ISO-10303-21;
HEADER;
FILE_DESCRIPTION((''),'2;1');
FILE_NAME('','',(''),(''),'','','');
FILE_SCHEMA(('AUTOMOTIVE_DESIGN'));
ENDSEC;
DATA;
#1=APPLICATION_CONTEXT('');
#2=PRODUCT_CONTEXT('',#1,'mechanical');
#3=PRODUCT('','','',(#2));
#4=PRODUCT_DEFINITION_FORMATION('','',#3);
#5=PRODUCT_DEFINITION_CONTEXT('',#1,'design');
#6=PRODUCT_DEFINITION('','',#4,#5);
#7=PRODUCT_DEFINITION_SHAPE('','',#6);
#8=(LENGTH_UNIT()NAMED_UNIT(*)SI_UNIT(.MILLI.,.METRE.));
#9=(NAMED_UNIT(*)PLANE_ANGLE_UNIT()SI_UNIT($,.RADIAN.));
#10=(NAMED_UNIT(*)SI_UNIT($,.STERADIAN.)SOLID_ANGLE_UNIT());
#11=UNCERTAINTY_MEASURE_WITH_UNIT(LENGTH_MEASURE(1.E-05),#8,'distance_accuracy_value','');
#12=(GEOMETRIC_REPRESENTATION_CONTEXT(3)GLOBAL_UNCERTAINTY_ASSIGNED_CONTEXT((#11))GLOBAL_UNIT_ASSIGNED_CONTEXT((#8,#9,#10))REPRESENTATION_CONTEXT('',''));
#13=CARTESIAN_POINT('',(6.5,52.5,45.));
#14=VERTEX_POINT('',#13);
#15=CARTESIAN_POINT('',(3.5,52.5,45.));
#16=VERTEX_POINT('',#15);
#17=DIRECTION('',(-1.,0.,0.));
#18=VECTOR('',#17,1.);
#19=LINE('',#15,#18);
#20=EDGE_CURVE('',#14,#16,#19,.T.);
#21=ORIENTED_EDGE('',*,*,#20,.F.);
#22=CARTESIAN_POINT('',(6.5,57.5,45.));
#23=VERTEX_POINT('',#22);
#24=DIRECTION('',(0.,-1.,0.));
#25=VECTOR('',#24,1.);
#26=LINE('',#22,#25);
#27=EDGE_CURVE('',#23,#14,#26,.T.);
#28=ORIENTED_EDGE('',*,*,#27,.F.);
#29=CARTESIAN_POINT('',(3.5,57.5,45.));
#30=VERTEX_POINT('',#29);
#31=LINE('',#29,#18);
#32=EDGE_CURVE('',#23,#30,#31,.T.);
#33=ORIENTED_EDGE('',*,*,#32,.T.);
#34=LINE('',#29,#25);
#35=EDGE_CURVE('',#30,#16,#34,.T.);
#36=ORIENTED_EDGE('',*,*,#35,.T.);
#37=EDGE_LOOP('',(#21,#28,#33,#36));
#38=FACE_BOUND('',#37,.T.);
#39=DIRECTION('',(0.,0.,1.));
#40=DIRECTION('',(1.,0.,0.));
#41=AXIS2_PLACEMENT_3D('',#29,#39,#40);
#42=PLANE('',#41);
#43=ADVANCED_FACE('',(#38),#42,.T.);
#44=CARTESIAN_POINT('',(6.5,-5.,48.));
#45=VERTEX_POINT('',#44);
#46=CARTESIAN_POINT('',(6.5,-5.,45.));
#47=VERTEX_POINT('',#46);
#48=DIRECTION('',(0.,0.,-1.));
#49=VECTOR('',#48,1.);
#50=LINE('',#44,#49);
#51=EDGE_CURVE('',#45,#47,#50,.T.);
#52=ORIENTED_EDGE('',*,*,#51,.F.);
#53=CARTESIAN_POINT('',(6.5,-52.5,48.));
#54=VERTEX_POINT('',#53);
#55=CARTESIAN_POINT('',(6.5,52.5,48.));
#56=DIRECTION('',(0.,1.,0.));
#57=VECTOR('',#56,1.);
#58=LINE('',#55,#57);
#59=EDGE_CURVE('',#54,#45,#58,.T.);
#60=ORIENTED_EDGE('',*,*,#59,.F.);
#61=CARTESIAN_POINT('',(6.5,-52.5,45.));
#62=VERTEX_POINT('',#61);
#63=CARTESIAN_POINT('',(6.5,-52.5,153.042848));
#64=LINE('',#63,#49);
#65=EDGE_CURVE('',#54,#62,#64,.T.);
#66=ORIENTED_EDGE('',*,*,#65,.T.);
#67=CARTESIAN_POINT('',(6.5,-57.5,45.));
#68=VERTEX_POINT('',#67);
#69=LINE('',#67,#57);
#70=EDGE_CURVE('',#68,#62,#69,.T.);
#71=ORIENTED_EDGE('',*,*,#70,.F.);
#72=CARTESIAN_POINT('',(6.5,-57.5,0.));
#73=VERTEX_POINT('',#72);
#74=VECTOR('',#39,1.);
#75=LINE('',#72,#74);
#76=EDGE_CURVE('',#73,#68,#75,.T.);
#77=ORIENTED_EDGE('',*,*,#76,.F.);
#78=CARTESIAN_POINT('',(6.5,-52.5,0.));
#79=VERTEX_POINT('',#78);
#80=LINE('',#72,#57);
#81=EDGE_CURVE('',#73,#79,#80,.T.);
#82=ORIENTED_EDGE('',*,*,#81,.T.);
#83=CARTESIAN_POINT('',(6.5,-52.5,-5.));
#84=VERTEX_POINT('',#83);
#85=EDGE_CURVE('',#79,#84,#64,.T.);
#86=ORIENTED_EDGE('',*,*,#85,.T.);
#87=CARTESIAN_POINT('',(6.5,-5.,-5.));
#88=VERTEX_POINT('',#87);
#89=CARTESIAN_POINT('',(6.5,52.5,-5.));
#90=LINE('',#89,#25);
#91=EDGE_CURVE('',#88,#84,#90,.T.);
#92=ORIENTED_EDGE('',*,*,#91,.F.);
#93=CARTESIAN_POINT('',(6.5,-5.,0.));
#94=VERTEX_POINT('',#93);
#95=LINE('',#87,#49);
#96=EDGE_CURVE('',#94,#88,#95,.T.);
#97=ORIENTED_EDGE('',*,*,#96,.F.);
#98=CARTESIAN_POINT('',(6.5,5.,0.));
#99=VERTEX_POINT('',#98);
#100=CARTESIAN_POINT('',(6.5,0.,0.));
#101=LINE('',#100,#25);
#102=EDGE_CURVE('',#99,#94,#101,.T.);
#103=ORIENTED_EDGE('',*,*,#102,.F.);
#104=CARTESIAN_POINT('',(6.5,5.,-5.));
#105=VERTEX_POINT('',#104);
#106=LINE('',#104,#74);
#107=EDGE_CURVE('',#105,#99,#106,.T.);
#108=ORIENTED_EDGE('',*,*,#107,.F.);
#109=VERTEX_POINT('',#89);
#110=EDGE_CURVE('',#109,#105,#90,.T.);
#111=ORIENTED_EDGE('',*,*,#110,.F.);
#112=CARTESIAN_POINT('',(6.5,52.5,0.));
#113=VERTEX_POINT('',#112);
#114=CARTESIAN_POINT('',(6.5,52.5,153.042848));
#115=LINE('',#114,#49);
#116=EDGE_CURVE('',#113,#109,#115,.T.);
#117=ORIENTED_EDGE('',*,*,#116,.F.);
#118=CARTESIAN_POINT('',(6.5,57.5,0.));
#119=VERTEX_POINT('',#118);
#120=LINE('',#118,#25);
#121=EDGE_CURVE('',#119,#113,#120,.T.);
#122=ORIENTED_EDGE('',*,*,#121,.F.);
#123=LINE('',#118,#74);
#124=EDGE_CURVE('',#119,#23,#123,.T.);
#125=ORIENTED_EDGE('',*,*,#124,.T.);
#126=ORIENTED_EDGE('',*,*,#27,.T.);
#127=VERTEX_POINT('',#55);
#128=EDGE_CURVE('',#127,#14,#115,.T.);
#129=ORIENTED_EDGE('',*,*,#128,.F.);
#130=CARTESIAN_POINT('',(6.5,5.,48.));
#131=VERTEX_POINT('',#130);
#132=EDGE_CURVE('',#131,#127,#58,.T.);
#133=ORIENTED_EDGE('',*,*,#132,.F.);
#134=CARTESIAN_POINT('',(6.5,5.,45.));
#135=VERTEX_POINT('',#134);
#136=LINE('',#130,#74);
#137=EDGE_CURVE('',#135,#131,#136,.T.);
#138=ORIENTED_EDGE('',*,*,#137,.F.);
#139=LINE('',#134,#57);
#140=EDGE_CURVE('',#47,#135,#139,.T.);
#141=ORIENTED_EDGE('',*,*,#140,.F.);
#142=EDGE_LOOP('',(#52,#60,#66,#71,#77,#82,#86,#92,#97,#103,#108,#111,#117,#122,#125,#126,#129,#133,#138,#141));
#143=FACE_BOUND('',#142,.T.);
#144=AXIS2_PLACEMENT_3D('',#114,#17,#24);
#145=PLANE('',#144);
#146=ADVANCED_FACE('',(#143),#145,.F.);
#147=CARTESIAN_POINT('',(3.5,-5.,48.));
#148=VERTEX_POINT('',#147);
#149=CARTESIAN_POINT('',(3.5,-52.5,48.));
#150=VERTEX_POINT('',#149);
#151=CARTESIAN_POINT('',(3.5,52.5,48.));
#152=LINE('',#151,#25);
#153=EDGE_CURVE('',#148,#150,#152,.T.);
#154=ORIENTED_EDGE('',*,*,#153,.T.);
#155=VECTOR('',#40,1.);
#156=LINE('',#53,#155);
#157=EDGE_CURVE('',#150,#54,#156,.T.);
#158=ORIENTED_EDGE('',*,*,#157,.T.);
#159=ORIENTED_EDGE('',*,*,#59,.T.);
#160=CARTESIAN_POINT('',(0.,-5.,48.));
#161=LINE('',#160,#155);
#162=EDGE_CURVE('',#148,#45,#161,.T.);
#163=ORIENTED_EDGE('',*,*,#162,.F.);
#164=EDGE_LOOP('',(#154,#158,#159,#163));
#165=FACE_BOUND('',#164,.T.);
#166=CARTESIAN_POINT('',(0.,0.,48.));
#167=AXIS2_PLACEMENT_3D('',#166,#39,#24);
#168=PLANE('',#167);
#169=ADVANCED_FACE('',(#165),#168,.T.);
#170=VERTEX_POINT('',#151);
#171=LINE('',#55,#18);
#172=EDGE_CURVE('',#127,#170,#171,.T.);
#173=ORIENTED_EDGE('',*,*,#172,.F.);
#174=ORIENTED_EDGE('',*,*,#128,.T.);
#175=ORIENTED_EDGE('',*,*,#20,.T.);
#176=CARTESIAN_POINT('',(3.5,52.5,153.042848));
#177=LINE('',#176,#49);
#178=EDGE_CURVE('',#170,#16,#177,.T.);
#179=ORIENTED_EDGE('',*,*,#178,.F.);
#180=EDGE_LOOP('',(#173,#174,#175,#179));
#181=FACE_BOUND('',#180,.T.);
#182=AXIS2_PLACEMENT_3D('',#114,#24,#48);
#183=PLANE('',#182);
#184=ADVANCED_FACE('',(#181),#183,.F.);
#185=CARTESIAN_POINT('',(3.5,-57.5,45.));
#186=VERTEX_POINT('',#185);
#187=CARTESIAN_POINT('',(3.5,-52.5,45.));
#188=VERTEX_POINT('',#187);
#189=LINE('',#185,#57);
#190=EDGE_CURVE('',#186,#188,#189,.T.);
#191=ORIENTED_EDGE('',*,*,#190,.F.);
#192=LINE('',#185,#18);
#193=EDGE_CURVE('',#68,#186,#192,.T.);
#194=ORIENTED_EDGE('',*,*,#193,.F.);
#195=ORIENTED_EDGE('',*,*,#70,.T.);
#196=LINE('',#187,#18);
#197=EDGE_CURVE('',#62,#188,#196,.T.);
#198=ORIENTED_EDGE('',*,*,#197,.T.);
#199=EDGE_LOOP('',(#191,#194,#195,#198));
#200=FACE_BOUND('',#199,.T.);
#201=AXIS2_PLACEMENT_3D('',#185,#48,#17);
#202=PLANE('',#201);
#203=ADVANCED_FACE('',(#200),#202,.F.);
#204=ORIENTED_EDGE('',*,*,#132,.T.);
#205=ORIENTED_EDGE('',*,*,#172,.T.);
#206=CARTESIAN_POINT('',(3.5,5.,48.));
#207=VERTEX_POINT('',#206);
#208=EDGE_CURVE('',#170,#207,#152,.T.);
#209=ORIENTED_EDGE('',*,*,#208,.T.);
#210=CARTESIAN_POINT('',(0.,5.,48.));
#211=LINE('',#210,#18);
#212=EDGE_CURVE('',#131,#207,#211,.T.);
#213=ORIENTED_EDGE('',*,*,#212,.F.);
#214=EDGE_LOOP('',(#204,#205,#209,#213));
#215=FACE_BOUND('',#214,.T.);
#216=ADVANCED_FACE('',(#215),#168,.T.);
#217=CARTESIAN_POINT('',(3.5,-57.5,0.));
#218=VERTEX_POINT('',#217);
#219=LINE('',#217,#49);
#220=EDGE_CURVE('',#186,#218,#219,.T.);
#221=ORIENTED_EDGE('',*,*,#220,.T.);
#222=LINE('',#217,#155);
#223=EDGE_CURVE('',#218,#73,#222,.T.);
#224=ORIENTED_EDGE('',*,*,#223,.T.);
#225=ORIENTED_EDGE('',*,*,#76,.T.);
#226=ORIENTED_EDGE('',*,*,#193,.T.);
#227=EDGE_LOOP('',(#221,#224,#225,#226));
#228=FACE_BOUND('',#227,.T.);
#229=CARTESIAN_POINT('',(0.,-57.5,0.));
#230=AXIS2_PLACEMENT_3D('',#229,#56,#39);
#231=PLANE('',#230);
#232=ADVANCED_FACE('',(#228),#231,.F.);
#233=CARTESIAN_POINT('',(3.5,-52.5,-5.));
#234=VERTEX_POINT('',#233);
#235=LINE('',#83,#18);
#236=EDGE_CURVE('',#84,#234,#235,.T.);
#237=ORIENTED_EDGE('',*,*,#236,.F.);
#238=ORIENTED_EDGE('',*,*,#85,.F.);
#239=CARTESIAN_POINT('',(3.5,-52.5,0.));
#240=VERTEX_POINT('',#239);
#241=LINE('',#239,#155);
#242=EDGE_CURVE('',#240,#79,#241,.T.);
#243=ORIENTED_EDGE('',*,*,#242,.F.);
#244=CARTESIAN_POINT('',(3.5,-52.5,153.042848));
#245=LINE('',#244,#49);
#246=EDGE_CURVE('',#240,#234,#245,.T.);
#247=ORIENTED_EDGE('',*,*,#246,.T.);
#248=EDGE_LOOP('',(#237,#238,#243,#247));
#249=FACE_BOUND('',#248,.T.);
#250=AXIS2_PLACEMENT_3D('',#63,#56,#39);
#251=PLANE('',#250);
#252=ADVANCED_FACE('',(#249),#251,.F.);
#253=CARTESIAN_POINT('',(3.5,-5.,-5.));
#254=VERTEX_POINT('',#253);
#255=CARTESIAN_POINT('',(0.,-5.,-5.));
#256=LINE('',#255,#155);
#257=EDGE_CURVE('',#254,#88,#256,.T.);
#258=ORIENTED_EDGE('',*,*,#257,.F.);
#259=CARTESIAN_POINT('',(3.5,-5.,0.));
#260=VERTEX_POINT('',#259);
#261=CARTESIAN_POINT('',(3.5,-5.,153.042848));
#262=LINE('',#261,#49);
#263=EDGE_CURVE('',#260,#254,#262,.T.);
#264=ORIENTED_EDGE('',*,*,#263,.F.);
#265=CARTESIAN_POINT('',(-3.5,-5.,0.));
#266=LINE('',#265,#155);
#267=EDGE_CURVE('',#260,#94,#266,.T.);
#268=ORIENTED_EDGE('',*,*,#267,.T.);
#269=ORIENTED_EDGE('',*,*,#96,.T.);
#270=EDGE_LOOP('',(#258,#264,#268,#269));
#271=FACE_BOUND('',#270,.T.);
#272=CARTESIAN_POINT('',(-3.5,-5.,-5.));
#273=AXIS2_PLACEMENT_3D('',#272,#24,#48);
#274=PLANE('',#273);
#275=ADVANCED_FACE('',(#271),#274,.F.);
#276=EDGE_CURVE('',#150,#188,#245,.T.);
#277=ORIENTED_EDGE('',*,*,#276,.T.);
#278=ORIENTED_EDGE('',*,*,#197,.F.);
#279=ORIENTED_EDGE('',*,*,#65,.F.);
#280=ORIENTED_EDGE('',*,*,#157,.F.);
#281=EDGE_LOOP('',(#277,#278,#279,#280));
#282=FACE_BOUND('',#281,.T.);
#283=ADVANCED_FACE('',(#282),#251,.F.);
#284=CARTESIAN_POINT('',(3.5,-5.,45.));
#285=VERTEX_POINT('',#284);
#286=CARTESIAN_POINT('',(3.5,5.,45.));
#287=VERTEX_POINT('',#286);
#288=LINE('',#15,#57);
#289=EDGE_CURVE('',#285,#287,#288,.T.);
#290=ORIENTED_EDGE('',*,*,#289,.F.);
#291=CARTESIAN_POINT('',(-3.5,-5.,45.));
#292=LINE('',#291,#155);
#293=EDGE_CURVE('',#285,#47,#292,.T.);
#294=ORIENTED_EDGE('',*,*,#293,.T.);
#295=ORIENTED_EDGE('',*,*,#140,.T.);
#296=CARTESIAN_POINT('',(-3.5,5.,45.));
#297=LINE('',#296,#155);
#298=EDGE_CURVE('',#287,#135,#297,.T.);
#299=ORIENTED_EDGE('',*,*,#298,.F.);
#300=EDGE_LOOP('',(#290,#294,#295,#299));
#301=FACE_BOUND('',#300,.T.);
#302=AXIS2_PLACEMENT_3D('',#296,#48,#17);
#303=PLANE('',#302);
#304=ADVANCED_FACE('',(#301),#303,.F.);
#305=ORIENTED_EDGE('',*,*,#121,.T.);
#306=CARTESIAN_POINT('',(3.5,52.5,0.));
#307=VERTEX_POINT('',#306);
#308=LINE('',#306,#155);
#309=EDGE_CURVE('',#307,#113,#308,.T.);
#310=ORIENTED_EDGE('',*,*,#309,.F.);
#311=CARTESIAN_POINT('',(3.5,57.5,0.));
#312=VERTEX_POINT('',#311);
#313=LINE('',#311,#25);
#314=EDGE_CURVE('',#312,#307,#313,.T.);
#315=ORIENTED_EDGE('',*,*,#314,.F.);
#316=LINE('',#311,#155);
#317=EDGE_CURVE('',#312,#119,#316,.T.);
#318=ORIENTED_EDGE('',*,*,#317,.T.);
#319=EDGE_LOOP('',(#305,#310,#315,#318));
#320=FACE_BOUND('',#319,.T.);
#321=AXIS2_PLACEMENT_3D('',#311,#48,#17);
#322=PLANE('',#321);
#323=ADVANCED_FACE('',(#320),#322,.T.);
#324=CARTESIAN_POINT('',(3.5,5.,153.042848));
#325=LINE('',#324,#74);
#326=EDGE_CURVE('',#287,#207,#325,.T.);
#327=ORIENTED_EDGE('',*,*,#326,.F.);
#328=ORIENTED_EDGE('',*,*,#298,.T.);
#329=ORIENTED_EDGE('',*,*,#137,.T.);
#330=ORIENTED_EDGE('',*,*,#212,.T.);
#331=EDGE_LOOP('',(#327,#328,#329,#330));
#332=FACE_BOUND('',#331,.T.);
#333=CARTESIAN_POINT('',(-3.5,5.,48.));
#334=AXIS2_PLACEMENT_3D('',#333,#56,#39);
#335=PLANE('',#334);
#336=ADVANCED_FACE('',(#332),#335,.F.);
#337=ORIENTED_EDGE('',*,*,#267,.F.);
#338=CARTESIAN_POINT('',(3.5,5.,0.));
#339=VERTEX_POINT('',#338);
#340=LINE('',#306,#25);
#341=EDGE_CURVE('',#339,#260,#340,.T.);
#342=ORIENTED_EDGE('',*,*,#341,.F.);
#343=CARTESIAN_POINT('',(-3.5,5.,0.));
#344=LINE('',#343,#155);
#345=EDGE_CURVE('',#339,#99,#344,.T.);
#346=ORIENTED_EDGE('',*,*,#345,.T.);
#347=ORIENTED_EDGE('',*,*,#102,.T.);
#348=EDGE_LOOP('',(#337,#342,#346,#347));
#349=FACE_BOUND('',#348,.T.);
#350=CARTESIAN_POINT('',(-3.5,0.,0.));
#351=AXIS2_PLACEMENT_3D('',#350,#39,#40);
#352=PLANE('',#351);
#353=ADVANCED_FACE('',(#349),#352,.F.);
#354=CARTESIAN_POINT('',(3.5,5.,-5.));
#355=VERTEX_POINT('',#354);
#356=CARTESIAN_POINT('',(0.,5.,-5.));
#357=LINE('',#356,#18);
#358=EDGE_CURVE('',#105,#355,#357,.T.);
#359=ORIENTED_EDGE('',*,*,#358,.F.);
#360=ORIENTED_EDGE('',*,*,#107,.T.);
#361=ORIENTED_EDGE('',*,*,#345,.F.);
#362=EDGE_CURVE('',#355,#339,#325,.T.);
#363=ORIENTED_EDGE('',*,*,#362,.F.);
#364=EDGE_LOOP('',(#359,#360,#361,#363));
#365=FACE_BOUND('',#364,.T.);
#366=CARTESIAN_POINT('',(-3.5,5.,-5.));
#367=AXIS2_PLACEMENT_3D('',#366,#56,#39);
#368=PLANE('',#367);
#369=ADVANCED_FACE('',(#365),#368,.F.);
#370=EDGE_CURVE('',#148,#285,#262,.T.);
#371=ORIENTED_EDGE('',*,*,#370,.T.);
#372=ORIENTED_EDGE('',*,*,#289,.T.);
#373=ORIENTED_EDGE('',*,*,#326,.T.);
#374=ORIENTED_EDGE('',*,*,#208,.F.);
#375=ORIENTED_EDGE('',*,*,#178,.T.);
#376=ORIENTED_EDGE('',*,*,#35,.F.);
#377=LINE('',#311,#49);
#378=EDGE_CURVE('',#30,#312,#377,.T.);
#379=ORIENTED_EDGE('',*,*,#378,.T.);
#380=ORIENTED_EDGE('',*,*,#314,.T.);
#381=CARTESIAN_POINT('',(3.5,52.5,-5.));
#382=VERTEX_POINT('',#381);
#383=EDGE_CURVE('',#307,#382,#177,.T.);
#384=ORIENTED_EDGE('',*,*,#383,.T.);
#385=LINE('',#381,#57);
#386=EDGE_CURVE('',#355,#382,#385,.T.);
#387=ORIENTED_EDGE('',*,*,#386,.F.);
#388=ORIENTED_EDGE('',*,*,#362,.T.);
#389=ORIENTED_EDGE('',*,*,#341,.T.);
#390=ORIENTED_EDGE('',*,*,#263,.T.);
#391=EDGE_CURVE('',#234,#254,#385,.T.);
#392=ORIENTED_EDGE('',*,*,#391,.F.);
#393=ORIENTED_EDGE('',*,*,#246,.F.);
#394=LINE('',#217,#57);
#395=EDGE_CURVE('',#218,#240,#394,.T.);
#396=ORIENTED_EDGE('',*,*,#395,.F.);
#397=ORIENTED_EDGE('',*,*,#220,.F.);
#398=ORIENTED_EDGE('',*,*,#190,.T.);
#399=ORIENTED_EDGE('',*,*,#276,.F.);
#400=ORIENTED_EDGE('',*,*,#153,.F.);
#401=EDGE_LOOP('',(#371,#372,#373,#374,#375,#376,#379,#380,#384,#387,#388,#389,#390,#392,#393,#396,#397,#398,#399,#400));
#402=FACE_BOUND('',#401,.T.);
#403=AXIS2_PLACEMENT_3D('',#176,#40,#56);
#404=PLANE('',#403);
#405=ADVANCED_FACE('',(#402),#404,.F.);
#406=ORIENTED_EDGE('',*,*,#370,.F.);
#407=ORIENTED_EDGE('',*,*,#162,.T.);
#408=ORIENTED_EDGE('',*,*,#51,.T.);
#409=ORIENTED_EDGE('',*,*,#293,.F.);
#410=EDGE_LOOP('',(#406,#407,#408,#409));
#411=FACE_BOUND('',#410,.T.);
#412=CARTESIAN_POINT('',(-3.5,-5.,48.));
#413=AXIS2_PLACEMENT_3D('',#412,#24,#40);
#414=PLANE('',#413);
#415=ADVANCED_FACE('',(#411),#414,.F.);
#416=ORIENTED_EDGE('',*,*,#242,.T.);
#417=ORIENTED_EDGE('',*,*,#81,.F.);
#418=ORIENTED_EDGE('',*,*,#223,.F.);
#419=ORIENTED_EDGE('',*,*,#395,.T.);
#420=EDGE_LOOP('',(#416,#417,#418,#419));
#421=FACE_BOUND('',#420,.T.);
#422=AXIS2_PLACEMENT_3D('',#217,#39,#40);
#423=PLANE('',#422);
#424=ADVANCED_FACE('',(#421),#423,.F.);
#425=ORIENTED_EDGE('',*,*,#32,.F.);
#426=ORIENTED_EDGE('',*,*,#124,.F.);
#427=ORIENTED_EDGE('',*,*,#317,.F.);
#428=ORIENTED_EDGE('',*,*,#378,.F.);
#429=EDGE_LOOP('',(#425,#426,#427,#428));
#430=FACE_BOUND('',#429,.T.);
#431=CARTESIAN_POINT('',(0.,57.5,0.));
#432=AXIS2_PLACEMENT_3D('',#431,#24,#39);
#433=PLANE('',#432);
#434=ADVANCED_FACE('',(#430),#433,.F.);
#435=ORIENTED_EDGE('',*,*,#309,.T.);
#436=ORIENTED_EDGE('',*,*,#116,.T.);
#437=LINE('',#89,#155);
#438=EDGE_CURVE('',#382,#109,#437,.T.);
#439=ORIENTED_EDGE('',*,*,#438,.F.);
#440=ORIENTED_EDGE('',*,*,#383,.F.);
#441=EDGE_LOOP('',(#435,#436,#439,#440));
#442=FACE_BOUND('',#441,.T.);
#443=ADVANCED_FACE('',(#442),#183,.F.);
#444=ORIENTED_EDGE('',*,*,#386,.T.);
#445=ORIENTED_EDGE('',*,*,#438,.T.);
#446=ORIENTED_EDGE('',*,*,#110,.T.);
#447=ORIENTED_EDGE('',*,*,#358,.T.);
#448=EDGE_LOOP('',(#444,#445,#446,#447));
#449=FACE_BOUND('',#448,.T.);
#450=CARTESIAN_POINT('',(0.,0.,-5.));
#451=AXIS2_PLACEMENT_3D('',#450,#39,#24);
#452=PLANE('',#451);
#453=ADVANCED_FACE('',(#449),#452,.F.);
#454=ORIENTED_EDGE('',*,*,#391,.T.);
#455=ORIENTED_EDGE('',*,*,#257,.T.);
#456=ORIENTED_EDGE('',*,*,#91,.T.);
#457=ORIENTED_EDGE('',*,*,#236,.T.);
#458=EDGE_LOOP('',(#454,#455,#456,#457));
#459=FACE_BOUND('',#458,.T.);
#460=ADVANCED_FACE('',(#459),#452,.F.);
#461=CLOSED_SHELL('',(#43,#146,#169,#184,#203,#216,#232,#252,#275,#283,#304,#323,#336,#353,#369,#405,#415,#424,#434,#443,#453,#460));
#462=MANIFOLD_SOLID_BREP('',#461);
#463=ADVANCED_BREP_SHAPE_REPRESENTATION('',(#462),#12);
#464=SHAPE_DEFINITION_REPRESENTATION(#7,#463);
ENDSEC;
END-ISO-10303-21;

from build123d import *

# Parameters (mm, degrees)
ESTRUSIONE_ESTRUSIONE1_DEPTH      = 48
ESTRUSIONE_ESTRUSIONE1_DEPTH_BACK = 5
SCHIZZO1_W                        = 3
SCHIZZO1_H                        = 105
TAGLIO_ESTRUSIONE1_DEPTH          = 10
SCHIZZO3_W                        = 3
SCHIZZO3_H                        = 45
ESTRUSIONE_ESTRUSIONE2_DEPTH      = 5


with BuildPart() as part:
    # Schizzo1 → Estrusione-Estrusione1 (new, two sides: drawn at the far end of the back side and taken through both)
    with BuildSketch(Plane.XY.offset(-ESTRUSIONE_ESTRUSIONE1_DEPTH_BACK)):
        with Locations((5, 0)):
            Rectangle(SCHIZZO1_W, SCHIZZO1_H)
    extrude(amount=ESTRUSIONE_ESTRUSIONE1_DEPTH + ESTRUSIONE_ESTRUSIONE1_DEPTH_BACK)

    # Schizzo2 → Taglio-Estrusione1 (cut)
    with BuildSketch(Plane(origin=(6.5, 0, 0), x_dir=(0, 0, -1), z_dir=(1, 0, 0))):
        Polygon((-48, -5), (-45, -5), (-45, 0), (-45, 5), (-48, 5), align=None)
        Polygon((5, -5), (0, -5), (0, 0), (0, 5), (5, 5), align=None)
    extrude(amount=-TAGLIO_ESTRUSIONE1_DEPTH, mode=Mode.SUBTRACT)

    # Schizzo3 → Estrusione-Estrusione2 (add)
    with BuildSketch(Plane.XZ.offset(52.5)):
        with Locations((5, 22.5)):
            Rectangle(SCHIZZO3_W, SCHIZZO3_H)
    estrusione_estrusione2 = extrude(amount=ESTRUSIONE_ESTRUSIONE2_DEPTH)

    # Specchia1: Estrusione-Estrusione2 across plane
    add(estrusione_estrusione2.mirror(Plane(origin=(0, 0, 0), x_dir=(0, 0, 1), z_dir=(0, -1, 0))))


solid = part.part
